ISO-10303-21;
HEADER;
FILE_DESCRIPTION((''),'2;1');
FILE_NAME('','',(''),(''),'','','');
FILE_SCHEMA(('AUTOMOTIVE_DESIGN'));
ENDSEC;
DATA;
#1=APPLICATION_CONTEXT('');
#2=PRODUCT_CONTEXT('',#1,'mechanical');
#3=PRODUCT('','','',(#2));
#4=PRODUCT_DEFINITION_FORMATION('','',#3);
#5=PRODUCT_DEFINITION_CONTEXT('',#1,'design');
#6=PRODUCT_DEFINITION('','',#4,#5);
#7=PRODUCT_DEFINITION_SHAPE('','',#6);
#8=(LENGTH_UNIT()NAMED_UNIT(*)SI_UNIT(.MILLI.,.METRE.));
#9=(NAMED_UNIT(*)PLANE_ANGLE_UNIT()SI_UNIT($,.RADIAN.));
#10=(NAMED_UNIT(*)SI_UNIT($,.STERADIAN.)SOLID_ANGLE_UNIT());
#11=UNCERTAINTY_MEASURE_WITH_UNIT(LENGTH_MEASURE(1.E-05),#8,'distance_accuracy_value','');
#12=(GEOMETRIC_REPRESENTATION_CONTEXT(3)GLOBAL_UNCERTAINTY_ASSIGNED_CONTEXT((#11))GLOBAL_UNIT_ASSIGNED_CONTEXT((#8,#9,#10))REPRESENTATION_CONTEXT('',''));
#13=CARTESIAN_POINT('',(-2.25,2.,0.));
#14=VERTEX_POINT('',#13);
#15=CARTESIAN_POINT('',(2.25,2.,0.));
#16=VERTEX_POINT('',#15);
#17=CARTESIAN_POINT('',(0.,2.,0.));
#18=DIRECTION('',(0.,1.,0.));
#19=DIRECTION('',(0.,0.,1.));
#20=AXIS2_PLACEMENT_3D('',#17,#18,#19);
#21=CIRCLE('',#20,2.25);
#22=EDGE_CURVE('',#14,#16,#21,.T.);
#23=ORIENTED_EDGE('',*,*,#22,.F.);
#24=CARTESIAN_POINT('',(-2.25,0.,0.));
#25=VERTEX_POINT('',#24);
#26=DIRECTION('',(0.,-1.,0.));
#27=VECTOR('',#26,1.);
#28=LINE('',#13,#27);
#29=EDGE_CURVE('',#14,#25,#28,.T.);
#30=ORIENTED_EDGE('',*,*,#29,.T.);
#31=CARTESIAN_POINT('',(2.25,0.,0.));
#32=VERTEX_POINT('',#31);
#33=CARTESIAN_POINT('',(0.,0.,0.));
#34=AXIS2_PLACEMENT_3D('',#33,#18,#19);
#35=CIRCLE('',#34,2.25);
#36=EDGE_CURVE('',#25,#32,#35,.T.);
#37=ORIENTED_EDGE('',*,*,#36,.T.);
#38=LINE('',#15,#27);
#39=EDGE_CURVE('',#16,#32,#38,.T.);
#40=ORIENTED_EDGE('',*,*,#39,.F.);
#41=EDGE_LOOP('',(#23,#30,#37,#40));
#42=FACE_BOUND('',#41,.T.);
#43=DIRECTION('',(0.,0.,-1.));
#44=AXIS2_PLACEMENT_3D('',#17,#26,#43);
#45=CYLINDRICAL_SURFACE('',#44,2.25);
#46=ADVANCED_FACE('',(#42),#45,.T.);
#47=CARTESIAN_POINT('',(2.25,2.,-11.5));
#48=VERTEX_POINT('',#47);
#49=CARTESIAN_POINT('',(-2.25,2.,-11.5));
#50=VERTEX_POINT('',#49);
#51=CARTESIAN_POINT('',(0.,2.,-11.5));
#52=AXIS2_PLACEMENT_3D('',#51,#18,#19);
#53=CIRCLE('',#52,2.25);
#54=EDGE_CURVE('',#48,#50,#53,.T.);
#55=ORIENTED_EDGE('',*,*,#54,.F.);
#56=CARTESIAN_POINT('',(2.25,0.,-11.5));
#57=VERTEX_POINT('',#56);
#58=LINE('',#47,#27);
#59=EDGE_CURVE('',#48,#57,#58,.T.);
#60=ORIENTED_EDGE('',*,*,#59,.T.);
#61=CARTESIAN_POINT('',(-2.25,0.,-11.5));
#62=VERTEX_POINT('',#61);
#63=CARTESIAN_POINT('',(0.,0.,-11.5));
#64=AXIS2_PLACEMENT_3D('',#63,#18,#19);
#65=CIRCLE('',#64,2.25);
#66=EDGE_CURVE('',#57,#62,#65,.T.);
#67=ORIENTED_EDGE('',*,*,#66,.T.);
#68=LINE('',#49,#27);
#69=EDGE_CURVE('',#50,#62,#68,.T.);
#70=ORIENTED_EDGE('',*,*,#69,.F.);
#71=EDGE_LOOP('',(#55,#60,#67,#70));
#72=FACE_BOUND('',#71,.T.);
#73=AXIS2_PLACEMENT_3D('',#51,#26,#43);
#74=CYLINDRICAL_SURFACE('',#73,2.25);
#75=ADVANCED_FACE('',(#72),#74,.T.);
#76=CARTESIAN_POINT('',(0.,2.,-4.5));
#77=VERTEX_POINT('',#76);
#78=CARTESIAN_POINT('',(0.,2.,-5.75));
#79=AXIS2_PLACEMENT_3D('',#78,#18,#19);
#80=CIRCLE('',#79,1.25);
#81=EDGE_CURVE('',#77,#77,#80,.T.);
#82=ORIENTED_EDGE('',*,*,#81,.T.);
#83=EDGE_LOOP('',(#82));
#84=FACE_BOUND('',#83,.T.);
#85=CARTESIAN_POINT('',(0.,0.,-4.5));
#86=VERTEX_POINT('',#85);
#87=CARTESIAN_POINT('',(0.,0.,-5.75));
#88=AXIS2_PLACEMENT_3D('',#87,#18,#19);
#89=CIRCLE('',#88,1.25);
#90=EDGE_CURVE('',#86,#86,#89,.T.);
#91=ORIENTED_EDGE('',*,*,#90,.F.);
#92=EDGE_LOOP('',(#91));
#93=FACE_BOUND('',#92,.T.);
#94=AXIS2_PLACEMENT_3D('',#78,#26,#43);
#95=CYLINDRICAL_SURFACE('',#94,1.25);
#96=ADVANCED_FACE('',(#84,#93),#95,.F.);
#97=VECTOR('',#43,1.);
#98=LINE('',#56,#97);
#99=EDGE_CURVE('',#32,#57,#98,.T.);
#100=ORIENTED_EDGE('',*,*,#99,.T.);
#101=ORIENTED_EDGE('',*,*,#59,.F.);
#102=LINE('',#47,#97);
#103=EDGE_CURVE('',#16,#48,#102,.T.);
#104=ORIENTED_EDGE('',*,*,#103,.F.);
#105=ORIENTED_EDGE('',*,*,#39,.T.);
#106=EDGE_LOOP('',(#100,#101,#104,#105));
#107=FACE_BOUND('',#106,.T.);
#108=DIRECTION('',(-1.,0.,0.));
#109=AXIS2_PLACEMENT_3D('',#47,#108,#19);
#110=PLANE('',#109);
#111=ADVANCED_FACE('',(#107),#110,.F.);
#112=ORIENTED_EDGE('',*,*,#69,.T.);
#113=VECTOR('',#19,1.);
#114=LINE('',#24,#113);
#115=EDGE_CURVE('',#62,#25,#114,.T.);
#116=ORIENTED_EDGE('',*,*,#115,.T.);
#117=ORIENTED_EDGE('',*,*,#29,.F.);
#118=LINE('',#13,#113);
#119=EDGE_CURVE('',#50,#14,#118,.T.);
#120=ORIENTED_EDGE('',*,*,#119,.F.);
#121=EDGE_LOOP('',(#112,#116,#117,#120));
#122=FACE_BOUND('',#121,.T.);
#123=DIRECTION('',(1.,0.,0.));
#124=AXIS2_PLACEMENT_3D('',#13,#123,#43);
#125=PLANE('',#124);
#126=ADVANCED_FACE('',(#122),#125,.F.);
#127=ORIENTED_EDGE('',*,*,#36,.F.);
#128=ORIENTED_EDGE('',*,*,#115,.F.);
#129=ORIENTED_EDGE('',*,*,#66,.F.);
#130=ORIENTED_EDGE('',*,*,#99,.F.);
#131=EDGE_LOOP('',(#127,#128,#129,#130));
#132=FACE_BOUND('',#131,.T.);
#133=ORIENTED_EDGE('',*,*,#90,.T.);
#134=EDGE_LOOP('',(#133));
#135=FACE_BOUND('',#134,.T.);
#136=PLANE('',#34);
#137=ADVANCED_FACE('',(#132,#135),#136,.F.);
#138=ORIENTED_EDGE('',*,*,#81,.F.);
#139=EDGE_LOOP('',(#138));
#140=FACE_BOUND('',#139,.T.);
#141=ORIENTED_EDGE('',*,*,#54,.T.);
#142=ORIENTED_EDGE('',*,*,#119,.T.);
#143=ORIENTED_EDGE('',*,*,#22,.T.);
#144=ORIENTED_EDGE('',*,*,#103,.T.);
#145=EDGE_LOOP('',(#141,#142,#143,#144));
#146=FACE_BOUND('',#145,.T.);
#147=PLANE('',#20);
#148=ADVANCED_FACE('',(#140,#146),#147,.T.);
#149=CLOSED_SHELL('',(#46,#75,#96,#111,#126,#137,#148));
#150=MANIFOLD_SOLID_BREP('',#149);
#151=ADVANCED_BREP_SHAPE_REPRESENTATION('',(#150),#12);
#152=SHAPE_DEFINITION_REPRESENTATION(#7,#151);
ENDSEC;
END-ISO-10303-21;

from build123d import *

# Parameters (mm, degrees)
SKETCH1_R           = 1
BOSS_EXTRUDE1_DEPTH = 2
MOVE_FACE1_BY       = 0.25


with BuildPart() as part:
    # Sketch1 → Boss-Extrude1 (new body)
    with BuildSketch(Plane(origin=(0, 0, 0), x_dir=(1, 0, 0), z_dir=(0, 1, 0))):
        with BuildLine():
            Line((-2.25, 0), (-2.25, 11.5))
            ThreePointArc((-2.25, 11.5), (0, 13.75), (2.25, 11.5))
            Line((2.25, 11.5), (2.25, 0))
            ThreePointArc((2.25, 0), (0, -2.25), (-2.25, 0))
        make_face()
        with Locations(Location((0, 5.75, 0), (0, 0, 270))):
            Circle(SKETCH1_R, mode=Mode.SUBTRACT)
    extrude(amount=BOSS_EXTRUDE1_DEPTH)

    # Move Face1: a curved face moved inward by 0.25
    add(Solid.thicken(part.faces().sort_by_distance((0, 1, -6.75))[0], -MOVE_FACE1_BY), mode=Mode.SUBTRACT)


solid = part.part
